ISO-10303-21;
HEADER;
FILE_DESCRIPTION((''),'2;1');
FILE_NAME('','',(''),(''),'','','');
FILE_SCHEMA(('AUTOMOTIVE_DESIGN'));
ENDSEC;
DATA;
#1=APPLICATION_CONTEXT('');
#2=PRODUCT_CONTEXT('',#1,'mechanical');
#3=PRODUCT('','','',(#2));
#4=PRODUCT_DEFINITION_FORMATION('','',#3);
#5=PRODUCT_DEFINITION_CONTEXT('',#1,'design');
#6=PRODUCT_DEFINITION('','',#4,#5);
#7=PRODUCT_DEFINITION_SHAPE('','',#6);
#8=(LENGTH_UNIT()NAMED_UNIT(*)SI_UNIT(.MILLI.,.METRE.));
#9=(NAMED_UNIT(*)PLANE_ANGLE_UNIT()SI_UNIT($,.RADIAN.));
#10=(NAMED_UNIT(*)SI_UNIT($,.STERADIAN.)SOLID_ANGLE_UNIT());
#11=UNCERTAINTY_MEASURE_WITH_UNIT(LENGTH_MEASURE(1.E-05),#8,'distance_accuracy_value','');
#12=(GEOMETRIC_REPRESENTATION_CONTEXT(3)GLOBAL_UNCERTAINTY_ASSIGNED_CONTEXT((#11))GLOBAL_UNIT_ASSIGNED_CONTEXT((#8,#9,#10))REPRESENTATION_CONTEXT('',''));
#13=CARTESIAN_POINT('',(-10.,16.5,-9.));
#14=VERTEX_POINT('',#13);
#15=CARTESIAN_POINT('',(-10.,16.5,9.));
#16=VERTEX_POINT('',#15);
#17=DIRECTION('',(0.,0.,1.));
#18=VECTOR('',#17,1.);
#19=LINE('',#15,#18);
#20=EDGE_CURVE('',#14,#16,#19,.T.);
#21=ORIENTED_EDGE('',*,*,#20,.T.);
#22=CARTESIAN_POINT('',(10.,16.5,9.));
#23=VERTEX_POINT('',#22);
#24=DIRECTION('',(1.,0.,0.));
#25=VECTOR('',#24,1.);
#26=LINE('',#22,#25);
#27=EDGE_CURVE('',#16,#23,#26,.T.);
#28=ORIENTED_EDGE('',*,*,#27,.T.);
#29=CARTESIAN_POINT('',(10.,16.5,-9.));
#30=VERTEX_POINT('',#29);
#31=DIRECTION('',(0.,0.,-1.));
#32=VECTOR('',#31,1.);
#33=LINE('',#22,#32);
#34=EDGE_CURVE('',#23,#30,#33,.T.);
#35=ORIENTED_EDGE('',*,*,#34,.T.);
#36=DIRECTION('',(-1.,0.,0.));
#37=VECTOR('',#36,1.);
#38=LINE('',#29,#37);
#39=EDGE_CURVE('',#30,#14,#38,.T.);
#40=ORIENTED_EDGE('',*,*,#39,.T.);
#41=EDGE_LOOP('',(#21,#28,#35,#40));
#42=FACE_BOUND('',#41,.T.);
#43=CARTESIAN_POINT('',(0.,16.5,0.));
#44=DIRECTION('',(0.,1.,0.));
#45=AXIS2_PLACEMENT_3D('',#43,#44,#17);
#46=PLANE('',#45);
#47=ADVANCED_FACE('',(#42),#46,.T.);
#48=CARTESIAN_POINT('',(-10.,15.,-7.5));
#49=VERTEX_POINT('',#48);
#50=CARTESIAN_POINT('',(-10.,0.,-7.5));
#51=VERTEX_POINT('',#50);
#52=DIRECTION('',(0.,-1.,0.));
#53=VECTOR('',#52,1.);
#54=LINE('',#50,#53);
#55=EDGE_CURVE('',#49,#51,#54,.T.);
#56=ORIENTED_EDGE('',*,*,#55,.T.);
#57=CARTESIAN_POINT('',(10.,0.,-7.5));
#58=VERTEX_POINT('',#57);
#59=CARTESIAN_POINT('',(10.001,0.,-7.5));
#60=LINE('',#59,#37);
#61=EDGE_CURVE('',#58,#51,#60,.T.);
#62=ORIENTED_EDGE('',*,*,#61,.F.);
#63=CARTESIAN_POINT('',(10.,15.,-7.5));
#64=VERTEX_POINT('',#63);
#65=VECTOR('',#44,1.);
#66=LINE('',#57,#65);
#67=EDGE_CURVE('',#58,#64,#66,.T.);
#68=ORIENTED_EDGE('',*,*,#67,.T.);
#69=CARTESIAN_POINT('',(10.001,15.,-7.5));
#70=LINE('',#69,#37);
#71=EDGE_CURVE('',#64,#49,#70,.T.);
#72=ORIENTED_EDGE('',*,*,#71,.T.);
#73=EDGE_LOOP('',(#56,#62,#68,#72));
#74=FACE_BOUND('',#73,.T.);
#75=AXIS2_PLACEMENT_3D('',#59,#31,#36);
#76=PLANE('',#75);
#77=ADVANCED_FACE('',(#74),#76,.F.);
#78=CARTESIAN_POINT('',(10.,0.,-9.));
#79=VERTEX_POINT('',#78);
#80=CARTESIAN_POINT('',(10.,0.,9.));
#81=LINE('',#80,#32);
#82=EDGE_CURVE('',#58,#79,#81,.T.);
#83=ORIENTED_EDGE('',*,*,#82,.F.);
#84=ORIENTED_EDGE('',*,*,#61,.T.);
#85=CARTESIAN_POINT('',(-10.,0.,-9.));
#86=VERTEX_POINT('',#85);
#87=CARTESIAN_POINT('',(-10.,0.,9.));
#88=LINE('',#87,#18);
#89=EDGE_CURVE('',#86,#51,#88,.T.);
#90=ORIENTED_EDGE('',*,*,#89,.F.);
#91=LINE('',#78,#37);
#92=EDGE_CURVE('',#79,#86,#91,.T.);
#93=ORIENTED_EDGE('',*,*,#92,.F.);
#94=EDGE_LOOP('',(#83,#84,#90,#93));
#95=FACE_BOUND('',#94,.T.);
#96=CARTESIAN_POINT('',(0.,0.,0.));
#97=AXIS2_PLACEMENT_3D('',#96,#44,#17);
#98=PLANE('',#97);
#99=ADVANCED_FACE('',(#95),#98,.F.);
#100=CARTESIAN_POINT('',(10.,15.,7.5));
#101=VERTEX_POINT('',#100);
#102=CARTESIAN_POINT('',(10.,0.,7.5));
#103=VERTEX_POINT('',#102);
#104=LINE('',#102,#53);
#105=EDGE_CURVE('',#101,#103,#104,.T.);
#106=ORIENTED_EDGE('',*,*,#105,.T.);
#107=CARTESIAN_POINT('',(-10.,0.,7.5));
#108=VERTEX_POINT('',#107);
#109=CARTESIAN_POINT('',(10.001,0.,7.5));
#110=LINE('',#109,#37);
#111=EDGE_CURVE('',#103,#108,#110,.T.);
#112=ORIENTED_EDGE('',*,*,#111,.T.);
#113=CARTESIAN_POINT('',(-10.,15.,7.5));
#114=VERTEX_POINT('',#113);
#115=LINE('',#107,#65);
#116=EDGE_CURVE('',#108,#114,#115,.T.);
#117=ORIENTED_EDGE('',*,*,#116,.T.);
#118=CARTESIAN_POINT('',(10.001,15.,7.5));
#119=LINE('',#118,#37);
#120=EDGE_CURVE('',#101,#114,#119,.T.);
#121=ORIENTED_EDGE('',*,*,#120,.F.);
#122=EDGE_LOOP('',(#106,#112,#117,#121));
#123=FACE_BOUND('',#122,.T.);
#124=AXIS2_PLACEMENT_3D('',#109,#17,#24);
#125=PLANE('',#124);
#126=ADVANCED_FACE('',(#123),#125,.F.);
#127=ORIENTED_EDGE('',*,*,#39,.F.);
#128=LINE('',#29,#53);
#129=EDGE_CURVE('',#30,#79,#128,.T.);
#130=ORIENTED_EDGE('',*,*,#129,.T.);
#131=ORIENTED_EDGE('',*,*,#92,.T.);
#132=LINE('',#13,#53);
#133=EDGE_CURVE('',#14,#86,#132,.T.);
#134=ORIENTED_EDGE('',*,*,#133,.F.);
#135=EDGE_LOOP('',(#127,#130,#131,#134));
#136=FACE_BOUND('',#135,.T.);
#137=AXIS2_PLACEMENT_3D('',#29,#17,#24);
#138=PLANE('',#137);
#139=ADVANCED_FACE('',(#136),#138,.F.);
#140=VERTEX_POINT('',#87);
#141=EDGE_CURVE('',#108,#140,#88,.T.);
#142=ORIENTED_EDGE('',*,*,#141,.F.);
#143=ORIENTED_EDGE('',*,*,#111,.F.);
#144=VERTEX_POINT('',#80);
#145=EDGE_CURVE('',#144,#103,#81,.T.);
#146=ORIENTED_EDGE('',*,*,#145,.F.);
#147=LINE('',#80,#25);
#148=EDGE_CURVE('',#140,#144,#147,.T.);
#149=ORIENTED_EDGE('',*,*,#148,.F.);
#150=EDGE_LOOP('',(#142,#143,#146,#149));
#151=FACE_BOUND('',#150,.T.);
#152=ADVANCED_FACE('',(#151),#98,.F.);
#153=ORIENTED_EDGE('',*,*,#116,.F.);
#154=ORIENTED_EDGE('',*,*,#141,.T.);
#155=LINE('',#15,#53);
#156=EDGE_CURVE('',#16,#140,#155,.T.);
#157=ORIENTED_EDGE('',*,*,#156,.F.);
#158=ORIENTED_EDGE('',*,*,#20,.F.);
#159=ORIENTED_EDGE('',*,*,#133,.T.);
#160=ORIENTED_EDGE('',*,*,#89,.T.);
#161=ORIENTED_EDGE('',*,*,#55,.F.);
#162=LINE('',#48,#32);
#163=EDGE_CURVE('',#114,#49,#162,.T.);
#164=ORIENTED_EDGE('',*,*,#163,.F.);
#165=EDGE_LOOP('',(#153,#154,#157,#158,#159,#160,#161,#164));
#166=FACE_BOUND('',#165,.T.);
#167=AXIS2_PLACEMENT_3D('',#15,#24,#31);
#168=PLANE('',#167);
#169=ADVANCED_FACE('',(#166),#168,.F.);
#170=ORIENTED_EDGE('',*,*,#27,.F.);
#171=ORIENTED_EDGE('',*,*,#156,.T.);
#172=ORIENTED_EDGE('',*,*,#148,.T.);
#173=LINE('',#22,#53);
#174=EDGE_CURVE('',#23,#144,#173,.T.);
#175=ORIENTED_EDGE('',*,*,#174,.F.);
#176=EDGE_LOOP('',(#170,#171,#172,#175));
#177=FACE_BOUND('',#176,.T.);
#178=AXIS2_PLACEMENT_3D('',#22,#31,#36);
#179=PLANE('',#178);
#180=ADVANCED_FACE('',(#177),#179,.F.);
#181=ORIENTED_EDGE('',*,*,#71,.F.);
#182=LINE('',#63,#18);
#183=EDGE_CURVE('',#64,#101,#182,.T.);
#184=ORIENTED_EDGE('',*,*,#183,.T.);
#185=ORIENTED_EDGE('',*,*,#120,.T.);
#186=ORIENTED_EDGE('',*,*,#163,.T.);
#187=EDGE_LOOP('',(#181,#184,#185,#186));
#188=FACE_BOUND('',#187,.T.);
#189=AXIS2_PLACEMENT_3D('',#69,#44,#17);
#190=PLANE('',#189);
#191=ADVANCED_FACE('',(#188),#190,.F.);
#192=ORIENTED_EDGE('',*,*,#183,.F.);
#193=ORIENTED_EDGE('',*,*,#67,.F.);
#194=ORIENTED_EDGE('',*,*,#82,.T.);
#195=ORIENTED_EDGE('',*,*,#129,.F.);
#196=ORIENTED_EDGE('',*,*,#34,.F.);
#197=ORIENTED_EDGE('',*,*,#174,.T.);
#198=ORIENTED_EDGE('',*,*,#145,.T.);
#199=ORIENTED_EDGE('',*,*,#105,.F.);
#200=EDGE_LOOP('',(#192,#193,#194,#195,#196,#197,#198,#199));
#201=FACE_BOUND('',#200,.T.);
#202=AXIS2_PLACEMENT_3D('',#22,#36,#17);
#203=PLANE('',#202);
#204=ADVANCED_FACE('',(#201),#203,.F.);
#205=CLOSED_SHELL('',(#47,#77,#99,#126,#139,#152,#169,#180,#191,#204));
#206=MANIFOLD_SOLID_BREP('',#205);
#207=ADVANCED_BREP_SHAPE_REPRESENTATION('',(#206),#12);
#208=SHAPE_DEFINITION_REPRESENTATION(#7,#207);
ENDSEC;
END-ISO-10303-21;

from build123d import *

# Parameters (mm, degrees)
SKETCH1_W           = 20
SKETCH1_H           = 18
BOSS_EXTRUDE1_DEPTH = 16.5
CUT_EXTRUDE1_REACH  = 22
SKETCH2_W           = 15
SKETCH2_H           = 15


with BuildPart() as part:
    # Sketch1 → Boss-Extrude1 (new body)
    with BuildSketch(Plane(origin=(0, 0, 0), x_dir=(1, 0, 0), z_dir=(0, 1, 0))):
        Rectangle(SKETCH1_W, SKETCH1_H)
    extrude(amount=BOSS_EXTRUDE1_DEPTH)

    # Sketch2 → Cut-Extrude1 (cut, up to next)
    with BuildSketch(Plane.ZY.offset(10), mode=Mode.PRIVATE) as cut_extrude1_sk1:
        with Locations((0, 7.5)):
            Rectangle(SKETCH2_W, SKETCH2_H)
    cut_extrude1_tool1 = extrude(cut_extrude1_sk1.sketch, amount=-CUT_EXTRUDE1_REACH, mode=Mode.PRIVATE) & part.part
    add(cut_extrude1_tool1.solids().sort_by_distance((-10, 7.5, 0))[0], mode=Mode.SUBTRACT)


solid = part.part
